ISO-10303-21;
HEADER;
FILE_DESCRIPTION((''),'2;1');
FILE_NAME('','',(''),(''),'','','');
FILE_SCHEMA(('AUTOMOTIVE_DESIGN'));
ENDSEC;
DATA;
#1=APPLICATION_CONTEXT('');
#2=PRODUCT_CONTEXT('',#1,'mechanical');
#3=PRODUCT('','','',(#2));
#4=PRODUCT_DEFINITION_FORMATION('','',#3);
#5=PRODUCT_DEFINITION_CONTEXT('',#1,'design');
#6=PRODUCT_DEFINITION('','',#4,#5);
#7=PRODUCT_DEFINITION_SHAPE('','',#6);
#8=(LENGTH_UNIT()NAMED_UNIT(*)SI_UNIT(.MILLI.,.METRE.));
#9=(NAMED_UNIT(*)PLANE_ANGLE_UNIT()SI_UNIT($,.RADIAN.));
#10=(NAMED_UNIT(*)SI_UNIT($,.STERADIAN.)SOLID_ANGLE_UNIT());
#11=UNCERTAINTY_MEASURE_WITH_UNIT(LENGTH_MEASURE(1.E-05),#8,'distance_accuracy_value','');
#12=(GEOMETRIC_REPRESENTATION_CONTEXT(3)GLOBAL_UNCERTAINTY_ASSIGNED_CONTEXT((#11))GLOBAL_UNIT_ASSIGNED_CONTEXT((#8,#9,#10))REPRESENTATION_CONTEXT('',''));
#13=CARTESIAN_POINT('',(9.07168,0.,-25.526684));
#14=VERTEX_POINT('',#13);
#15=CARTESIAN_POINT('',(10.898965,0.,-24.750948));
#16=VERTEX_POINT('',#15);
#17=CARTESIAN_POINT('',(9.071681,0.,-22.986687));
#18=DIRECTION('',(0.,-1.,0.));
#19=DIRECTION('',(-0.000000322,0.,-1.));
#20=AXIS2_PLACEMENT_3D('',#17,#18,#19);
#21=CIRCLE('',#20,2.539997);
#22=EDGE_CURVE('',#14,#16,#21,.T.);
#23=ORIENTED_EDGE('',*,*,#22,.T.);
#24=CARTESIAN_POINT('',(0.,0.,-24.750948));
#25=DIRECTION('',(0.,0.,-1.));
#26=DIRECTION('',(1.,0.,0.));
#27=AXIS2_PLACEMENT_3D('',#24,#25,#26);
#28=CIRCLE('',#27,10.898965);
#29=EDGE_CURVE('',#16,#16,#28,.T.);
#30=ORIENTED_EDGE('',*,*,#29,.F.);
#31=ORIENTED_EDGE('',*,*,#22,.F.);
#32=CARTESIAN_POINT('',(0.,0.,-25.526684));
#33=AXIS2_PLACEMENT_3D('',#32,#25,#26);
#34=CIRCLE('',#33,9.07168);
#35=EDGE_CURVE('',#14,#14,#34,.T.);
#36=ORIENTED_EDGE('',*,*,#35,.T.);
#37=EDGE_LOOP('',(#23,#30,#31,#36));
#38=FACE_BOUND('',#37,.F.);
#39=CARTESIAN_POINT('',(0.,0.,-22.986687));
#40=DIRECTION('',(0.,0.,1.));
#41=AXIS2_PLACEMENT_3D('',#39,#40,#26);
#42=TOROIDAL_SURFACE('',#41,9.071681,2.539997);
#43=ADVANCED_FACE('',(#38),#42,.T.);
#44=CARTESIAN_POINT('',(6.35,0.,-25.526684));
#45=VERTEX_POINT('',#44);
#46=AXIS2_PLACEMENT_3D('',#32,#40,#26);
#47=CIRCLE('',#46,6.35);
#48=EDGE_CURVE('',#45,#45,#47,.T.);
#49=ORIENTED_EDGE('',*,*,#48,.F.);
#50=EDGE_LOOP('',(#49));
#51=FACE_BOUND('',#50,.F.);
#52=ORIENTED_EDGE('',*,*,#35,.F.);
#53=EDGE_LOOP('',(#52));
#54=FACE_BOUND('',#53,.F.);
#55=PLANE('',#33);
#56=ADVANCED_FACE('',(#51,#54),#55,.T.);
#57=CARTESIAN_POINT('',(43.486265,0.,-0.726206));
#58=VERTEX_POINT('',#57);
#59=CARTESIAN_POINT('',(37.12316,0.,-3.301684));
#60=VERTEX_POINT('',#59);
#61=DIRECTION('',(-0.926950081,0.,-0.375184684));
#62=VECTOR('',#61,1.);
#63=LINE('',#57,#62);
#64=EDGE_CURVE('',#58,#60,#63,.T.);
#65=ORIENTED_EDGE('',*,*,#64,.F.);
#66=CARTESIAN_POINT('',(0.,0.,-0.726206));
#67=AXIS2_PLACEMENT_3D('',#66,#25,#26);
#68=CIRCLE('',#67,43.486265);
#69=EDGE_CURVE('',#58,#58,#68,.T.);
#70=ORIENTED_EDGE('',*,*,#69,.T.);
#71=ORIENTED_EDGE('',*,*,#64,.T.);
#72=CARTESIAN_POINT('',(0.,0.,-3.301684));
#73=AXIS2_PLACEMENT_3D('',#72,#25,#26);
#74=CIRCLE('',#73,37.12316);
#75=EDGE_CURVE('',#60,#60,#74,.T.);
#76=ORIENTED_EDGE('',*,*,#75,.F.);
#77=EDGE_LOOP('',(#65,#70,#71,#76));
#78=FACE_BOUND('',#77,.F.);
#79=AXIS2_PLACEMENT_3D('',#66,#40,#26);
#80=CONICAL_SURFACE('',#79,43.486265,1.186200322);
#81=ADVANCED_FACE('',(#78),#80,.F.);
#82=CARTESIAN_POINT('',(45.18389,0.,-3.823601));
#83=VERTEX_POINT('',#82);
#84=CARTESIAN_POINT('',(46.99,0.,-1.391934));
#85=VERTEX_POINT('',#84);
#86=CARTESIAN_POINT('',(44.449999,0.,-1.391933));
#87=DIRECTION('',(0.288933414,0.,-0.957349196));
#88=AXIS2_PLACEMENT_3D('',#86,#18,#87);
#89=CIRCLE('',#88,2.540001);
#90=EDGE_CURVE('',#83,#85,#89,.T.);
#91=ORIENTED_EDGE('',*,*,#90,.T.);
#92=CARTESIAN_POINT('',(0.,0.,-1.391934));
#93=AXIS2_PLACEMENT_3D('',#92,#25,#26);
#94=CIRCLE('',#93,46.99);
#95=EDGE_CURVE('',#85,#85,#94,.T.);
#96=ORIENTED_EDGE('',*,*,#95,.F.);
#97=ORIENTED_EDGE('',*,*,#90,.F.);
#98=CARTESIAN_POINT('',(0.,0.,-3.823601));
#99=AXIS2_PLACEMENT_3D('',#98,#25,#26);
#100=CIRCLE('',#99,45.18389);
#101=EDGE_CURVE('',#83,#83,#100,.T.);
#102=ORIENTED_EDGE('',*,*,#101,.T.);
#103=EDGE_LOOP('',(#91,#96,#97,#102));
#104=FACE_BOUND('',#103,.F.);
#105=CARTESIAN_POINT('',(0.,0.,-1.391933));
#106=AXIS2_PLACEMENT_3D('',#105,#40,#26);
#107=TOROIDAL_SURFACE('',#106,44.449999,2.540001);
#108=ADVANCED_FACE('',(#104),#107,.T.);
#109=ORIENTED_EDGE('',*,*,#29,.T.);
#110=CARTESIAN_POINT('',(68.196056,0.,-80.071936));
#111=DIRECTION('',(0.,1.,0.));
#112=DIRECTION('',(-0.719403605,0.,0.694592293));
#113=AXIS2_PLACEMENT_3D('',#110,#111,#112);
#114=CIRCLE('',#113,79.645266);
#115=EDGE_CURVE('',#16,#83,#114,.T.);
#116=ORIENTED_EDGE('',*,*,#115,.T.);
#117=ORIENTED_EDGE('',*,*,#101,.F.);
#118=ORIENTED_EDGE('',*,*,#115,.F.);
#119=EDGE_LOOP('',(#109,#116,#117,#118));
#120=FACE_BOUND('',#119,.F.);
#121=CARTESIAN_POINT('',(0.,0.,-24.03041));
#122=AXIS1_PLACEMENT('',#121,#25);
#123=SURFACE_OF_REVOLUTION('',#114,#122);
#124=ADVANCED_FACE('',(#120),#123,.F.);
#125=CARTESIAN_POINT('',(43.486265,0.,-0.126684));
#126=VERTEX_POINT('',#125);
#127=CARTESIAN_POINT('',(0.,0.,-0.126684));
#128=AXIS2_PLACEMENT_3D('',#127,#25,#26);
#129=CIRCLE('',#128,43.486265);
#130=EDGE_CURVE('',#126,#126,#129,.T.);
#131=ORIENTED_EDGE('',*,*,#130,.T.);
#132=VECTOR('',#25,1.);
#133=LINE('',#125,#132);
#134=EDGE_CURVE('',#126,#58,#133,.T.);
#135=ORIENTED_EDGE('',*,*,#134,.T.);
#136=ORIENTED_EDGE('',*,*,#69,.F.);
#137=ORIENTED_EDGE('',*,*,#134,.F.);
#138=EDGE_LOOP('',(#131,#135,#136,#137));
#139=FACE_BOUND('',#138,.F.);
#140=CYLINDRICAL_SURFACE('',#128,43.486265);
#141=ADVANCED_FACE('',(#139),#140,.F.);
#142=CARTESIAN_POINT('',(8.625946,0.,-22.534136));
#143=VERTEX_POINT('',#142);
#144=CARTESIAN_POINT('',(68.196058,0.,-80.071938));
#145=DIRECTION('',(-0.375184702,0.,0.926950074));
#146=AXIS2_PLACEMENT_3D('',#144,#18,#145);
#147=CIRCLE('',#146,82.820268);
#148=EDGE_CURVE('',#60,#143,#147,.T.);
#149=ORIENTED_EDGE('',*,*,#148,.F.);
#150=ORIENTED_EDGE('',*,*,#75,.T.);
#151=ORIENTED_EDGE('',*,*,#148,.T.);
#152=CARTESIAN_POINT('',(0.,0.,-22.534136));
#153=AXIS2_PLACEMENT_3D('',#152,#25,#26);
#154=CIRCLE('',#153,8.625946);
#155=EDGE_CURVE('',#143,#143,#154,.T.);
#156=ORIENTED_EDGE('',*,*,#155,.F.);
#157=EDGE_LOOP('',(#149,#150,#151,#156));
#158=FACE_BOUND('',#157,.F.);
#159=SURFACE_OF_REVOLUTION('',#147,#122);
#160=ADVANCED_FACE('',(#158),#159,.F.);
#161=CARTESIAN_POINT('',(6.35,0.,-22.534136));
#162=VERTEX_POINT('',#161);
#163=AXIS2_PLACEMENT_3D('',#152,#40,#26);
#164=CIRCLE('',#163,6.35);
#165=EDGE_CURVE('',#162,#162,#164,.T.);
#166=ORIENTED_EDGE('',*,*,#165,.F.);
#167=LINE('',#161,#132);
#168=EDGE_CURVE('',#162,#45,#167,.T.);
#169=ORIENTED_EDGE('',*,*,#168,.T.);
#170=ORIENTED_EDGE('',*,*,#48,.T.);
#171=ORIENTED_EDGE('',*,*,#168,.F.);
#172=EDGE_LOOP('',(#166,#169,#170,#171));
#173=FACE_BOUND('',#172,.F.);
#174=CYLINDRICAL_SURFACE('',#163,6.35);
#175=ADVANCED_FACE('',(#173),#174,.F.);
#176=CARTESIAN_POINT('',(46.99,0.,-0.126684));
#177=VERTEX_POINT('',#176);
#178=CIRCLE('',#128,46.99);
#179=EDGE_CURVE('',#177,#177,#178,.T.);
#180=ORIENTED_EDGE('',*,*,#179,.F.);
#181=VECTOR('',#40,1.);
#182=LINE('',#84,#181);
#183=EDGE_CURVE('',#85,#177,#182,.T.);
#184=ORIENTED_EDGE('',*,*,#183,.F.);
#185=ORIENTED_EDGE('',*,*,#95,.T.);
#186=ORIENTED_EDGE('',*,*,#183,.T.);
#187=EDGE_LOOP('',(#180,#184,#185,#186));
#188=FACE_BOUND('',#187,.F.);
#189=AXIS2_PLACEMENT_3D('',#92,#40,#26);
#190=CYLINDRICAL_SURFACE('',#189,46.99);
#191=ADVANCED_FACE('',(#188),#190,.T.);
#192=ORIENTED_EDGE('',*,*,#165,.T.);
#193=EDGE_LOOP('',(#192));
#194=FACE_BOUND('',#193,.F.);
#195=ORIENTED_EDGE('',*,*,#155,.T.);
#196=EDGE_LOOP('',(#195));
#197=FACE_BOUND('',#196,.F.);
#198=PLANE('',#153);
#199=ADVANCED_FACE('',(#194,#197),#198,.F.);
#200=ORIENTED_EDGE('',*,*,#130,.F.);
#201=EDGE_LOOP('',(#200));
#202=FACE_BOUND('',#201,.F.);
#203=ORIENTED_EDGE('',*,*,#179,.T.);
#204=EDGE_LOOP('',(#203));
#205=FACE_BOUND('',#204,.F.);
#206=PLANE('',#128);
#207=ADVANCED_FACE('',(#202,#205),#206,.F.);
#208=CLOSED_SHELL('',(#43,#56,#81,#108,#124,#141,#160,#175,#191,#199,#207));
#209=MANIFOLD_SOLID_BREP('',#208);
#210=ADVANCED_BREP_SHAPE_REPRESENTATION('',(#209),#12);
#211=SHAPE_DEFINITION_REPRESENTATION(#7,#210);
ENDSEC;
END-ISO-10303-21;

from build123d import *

# Parameters (mm, degrees)
F2_R     = 6.35
F3_DEPTH = 3.176


with BuildPart() as f1:
    # F0 (on Front) → F1 (revolve)
    with BuildSketch(Plane.XZ):
        with BuildLine():
            Line((46.99, -0.126684), (43.486265, -0.126684))
            Line((43.486265, -0.126684), (43.486265, -0.726206))
            Line((43.486265, -0.726206), (37.12316, -3.301684))
            ThreePointArc((37.12316, -3.301684), (21.865608, -11.42293), (8.625946, -22.534136))
            Line((8.625946, -22.534136), (5.715, -22.534136))
            Line((5.715, -22.534136), (0, -22.534136))
            Line((0, -22.534136), (0, -25.526684))
            Line((0, -25.526684), (5.715, -25.526684))
            Line((5.715, -25.526684), (5.874215, -25.526684))
            Line((5.874215, -25.526684), (9.07168, -25.526684))
            ThreePointArc((9.07168, -25.526684), (10.064244, -25.324721), (10.898965, -24.750948))
            ThreePointArc((10.898965, -24.750948), (26.700482, -12.090426), (45.18389, -3.823601))
            ThreePointArc((45.18389, -3.823601), (46.489078, -2.90645), (46.99, -1.391934))
            Line((46.99, -1.391934), (46.99, -0.126684))
        make_face()
        with BuildLine():
            ThreePointArc((5.715, -25.709136), (5.794541, -25.617852), (5.874215, -25.526684))
            Line((5.874215, -25.526684), (5.715, -25.526684))
            Line((5.715, -25.526684), (5.715, -25.709136))
        make_face()
    revolve(axis=Axis((0, 0, -24.03041), (0, 0, -1)))

    # F2 (on face) → F3 (cut, through all)
    with BuildSketch(Plane.XY.offset(-22.534136)):
        Circle(F2_R)
    extrude(amount=-F3_DEPTH, mode=Mode.SUBTRACT)


solid = f1.part
